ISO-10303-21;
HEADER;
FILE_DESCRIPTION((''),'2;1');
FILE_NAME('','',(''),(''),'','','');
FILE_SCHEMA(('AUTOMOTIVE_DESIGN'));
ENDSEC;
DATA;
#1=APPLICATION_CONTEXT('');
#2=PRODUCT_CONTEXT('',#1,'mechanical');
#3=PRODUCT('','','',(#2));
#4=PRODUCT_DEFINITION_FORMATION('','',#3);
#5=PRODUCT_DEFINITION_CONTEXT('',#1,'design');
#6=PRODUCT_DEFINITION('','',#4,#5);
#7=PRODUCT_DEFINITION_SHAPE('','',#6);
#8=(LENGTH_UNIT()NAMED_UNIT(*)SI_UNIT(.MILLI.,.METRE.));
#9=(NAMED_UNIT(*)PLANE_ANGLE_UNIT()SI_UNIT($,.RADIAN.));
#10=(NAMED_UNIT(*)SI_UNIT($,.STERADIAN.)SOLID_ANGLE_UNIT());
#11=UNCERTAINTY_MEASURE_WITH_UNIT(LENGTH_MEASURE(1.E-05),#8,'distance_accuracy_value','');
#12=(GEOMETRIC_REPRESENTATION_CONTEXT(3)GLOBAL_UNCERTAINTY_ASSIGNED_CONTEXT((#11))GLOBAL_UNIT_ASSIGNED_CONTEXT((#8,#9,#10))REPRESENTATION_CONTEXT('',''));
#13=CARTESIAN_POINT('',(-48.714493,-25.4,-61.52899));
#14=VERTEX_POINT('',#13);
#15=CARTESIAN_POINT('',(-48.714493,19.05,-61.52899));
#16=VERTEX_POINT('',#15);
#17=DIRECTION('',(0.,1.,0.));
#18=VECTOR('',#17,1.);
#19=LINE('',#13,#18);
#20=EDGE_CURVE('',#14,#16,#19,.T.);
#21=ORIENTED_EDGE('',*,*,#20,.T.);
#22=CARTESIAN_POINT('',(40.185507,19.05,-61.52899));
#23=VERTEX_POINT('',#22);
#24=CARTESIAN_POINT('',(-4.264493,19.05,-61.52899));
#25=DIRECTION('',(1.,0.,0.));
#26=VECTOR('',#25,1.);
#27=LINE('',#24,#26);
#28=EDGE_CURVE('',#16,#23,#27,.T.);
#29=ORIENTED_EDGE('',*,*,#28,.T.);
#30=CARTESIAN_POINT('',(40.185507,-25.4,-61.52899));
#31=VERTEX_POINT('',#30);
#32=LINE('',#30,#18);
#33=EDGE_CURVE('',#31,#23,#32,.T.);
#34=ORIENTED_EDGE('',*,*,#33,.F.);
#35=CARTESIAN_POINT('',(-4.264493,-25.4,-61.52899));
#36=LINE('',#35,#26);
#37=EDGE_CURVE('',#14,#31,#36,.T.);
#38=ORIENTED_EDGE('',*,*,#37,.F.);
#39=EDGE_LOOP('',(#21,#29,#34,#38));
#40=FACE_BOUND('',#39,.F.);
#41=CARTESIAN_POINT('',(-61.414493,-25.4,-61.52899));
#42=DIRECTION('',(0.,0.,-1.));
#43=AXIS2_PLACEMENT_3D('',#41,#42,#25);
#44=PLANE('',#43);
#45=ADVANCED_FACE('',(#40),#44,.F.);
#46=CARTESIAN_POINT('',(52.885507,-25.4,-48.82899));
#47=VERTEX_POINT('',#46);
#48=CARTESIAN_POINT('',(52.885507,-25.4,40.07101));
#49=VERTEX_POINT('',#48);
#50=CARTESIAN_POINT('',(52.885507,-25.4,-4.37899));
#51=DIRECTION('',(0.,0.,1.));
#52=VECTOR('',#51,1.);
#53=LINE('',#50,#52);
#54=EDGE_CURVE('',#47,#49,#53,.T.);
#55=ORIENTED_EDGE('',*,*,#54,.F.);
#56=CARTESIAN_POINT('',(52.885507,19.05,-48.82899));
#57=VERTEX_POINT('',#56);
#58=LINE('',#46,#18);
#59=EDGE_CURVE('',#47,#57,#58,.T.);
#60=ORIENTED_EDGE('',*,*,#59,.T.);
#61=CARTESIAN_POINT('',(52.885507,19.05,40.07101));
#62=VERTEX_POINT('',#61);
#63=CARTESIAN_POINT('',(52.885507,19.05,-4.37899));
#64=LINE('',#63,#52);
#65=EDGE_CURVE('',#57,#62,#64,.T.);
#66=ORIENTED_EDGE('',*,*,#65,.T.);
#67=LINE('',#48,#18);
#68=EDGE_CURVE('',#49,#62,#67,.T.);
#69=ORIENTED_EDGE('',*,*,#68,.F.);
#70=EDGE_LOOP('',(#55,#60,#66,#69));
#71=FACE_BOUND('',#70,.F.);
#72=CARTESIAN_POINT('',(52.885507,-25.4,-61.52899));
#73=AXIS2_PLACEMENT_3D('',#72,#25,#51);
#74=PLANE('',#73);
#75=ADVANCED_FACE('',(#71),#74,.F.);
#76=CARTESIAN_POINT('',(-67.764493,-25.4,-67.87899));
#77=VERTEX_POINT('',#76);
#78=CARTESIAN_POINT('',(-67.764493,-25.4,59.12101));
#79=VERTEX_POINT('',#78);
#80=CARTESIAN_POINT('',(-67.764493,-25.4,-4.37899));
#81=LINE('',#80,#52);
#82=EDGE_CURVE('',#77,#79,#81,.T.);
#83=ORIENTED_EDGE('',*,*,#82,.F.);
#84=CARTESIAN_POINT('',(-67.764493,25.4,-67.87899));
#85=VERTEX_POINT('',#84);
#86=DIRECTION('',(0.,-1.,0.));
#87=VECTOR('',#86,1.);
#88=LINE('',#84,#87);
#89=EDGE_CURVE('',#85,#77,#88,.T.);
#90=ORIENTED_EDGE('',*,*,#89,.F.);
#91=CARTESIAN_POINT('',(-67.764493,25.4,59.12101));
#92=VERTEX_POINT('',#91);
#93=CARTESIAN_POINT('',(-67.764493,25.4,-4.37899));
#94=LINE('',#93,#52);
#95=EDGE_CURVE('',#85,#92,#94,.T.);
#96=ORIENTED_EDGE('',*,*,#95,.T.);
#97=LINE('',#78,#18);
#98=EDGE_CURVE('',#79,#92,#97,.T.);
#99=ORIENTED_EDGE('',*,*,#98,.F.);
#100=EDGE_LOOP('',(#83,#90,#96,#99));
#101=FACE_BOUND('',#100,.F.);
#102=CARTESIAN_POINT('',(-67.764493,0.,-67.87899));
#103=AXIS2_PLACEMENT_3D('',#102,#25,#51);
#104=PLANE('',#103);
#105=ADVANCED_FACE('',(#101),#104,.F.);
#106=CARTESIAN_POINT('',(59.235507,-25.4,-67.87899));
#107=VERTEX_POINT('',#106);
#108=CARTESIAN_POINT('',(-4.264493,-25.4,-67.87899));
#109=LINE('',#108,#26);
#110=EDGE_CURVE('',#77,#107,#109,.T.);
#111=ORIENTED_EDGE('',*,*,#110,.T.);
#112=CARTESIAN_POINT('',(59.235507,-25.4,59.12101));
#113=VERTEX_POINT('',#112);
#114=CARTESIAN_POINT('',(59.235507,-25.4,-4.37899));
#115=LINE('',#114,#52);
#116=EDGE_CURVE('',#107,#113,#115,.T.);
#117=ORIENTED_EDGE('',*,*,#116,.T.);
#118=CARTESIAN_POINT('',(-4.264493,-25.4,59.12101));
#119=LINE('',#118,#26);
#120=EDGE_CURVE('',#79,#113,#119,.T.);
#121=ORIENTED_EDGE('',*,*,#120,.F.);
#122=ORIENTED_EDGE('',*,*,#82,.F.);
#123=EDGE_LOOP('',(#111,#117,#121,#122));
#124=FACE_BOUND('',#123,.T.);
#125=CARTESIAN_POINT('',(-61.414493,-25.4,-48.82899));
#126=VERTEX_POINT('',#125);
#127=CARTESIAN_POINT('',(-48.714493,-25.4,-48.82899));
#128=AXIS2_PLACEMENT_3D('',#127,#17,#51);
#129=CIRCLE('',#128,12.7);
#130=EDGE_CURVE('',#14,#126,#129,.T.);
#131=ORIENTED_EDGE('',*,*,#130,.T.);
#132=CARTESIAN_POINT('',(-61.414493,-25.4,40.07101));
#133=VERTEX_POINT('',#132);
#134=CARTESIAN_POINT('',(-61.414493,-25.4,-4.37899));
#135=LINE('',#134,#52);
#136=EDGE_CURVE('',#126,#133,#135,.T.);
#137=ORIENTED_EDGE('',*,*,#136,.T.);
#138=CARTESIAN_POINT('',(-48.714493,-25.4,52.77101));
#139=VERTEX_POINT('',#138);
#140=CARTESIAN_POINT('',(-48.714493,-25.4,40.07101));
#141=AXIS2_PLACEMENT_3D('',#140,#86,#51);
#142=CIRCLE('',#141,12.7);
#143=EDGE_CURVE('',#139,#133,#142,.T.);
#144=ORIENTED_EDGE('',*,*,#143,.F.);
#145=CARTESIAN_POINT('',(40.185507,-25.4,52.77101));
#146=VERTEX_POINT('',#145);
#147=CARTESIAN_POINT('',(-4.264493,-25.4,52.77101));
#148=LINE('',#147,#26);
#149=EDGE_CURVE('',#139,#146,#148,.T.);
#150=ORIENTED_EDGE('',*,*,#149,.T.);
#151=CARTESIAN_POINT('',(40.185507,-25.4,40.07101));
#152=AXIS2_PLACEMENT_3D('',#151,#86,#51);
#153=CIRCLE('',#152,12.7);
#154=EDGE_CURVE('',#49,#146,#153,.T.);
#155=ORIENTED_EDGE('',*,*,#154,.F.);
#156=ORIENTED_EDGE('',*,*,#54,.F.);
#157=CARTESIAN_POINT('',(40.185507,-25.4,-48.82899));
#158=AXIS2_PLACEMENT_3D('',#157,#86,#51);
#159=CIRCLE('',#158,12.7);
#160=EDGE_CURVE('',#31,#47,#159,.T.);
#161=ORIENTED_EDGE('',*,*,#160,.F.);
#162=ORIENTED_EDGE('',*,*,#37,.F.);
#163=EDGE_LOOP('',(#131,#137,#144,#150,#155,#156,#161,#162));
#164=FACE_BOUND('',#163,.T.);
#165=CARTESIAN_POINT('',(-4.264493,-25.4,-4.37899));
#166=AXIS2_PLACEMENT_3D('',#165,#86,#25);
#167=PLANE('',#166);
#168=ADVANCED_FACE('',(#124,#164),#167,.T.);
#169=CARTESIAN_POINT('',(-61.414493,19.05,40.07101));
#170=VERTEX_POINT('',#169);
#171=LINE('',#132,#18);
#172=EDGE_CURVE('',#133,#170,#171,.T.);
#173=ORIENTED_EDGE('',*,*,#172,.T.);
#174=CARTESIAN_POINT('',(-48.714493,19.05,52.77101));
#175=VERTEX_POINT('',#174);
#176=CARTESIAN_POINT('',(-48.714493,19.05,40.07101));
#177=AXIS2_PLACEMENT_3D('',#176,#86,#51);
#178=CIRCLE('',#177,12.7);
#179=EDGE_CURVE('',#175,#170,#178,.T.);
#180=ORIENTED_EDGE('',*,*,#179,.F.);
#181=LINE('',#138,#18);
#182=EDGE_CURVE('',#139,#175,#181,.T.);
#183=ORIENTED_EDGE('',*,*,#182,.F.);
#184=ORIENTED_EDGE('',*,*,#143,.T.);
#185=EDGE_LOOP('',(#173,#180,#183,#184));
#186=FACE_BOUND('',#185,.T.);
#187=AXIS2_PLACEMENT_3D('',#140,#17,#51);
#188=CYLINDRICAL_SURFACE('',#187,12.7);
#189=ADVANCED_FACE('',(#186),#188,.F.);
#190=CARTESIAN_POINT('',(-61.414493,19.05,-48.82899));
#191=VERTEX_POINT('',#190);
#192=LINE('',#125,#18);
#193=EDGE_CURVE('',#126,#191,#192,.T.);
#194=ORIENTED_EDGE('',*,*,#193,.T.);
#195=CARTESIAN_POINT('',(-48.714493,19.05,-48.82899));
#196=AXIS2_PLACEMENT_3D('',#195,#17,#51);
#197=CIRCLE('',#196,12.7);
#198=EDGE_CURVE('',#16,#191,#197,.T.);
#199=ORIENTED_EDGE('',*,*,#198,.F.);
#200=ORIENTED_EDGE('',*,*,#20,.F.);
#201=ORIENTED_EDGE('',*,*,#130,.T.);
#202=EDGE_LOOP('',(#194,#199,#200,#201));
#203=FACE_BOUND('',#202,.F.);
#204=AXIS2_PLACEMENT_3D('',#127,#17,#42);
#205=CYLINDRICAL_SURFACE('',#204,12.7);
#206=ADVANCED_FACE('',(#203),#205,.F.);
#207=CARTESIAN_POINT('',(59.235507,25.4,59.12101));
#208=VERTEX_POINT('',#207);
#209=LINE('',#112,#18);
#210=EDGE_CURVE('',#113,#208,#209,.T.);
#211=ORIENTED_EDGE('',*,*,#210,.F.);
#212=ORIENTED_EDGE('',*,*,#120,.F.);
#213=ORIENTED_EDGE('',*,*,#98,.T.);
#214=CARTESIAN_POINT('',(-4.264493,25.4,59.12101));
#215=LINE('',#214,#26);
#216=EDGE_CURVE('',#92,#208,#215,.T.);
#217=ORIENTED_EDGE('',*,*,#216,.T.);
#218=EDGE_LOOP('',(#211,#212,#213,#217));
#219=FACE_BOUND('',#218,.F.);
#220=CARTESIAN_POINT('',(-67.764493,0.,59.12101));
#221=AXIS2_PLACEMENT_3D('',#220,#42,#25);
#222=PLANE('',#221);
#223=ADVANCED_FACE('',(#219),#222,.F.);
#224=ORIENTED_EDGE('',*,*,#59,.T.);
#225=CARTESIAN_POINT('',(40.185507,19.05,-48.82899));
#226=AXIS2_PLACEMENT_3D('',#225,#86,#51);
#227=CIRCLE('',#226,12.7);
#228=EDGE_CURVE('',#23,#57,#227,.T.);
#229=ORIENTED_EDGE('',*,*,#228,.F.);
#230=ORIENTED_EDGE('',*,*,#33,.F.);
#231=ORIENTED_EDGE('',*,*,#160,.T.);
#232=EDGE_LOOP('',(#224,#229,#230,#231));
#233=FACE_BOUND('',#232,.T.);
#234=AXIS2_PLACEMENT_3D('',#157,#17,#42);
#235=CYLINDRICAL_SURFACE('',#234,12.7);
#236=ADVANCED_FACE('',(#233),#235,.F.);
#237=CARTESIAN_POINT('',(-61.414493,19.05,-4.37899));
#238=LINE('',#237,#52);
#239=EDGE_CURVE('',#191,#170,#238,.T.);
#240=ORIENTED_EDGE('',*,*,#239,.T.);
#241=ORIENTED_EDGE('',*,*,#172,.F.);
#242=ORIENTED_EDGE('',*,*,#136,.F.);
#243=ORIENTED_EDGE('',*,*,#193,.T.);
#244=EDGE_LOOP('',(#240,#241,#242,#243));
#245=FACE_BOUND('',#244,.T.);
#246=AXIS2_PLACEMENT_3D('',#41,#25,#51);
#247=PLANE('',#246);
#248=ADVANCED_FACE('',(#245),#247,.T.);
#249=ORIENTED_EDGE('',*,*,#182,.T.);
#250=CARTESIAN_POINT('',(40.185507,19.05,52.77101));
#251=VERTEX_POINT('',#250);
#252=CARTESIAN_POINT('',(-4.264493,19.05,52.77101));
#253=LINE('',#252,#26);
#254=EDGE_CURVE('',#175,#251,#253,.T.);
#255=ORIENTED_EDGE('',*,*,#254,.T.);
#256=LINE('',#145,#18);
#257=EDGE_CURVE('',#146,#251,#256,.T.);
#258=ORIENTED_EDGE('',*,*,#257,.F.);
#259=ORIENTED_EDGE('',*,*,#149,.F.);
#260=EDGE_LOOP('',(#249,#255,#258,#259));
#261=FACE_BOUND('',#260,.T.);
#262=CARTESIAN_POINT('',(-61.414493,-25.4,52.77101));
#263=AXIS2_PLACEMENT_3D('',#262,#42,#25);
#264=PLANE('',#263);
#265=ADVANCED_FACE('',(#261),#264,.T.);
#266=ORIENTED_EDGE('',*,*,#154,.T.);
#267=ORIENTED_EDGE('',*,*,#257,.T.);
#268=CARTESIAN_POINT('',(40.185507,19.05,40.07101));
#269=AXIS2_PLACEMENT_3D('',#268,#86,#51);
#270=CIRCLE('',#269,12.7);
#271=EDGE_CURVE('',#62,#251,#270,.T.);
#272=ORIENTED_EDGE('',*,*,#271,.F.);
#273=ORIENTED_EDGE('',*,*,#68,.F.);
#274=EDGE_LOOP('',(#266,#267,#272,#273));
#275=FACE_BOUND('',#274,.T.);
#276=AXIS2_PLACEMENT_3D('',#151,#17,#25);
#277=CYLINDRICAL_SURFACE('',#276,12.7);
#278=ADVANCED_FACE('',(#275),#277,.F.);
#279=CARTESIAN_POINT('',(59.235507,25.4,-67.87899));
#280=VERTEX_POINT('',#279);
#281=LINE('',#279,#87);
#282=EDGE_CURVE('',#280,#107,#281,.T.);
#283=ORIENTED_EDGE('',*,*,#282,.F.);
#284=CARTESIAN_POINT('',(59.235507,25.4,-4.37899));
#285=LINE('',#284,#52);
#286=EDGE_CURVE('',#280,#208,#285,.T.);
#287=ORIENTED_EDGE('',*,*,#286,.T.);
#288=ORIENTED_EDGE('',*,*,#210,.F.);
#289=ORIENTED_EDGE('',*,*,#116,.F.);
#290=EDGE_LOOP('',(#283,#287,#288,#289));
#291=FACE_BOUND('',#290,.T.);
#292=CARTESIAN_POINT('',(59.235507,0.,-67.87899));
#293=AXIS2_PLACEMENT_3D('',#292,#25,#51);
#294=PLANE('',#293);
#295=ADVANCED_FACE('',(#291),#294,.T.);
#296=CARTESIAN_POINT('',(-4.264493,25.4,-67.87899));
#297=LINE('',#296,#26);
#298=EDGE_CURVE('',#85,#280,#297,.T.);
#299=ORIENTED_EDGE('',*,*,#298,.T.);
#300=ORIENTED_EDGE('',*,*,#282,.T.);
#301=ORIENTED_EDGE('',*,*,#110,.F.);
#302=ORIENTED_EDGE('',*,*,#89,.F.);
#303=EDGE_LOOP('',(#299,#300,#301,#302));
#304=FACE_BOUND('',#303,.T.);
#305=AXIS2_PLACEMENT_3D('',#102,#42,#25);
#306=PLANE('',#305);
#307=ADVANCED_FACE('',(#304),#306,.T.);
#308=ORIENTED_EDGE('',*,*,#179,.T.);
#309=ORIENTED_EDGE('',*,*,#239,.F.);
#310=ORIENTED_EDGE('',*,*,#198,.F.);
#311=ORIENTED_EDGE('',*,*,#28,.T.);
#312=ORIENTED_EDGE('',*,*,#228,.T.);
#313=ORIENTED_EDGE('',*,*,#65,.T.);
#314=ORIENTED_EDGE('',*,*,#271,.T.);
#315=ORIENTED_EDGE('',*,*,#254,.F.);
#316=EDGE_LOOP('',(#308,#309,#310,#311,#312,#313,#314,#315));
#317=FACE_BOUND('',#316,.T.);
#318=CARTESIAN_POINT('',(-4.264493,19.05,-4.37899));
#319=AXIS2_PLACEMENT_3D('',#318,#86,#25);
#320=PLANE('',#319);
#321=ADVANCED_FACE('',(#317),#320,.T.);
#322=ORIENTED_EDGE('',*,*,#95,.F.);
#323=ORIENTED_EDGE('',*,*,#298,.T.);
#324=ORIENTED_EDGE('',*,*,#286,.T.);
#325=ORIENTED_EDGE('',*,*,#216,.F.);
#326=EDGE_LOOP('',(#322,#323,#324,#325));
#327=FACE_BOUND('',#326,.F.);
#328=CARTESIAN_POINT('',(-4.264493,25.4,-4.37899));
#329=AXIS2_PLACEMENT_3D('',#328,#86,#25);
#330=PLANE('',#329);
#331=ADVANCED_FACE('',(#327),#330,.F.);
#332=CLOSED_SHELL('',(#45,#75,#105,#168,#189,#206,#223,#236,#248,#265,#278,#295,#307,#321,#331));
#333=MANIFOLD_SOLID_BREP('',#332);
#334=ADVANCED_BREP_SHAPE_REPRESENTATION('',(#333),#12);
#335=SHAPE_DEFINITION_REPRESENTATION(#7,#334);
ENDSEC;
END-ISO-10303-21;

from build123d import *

# Parameters (mm, degrees)
F0_W          = 127
F0_H          = 127
F1_DEPTH      = 25.4
F1_DEPTH_BACK = 25.4
F2_W          = 114.3
F2_H          = 114.3
F3_DEPTH      = 44.45
F4_R          = 12.7


with BuildPart() as f1:
    # F0 (on Front) → F1 (new body, two sides)
    with BuildSketch(Plane.XZ) as f1_sk:
        with Locations((-4.264493, -4.37899)):
            Rectangle(F0_W, F0_H)
    extrude(amount=F1_DEPTH)
    extrude(f1_sk.sketch, amount=-F1_DEPTH_BACK)

    # F2 (on face) → F3 (cut)
    with BuildSketch(Plane.XZ.offset(25.4)):
        with Locations((-4.264493, -4.37899)):
            Rectangle(F2_W, F2_H)
    extrude(amount=-F3_DEPTH, mode=Mode.SUBTRACT)

    # F4
    f4_edges = [f1.edges().sort_by_distance(p)[0] for p in [
        (-61.414493, -3.175, -61.52899),
        (52.885507, -3.175, -61.52899),
        (52.885507, -3.175, 52.77101),
        (-61.414493, -3.175, 52.77101),
    ]]
    fillet(f4_edges, radius=F4_R)


solid = f1.part
